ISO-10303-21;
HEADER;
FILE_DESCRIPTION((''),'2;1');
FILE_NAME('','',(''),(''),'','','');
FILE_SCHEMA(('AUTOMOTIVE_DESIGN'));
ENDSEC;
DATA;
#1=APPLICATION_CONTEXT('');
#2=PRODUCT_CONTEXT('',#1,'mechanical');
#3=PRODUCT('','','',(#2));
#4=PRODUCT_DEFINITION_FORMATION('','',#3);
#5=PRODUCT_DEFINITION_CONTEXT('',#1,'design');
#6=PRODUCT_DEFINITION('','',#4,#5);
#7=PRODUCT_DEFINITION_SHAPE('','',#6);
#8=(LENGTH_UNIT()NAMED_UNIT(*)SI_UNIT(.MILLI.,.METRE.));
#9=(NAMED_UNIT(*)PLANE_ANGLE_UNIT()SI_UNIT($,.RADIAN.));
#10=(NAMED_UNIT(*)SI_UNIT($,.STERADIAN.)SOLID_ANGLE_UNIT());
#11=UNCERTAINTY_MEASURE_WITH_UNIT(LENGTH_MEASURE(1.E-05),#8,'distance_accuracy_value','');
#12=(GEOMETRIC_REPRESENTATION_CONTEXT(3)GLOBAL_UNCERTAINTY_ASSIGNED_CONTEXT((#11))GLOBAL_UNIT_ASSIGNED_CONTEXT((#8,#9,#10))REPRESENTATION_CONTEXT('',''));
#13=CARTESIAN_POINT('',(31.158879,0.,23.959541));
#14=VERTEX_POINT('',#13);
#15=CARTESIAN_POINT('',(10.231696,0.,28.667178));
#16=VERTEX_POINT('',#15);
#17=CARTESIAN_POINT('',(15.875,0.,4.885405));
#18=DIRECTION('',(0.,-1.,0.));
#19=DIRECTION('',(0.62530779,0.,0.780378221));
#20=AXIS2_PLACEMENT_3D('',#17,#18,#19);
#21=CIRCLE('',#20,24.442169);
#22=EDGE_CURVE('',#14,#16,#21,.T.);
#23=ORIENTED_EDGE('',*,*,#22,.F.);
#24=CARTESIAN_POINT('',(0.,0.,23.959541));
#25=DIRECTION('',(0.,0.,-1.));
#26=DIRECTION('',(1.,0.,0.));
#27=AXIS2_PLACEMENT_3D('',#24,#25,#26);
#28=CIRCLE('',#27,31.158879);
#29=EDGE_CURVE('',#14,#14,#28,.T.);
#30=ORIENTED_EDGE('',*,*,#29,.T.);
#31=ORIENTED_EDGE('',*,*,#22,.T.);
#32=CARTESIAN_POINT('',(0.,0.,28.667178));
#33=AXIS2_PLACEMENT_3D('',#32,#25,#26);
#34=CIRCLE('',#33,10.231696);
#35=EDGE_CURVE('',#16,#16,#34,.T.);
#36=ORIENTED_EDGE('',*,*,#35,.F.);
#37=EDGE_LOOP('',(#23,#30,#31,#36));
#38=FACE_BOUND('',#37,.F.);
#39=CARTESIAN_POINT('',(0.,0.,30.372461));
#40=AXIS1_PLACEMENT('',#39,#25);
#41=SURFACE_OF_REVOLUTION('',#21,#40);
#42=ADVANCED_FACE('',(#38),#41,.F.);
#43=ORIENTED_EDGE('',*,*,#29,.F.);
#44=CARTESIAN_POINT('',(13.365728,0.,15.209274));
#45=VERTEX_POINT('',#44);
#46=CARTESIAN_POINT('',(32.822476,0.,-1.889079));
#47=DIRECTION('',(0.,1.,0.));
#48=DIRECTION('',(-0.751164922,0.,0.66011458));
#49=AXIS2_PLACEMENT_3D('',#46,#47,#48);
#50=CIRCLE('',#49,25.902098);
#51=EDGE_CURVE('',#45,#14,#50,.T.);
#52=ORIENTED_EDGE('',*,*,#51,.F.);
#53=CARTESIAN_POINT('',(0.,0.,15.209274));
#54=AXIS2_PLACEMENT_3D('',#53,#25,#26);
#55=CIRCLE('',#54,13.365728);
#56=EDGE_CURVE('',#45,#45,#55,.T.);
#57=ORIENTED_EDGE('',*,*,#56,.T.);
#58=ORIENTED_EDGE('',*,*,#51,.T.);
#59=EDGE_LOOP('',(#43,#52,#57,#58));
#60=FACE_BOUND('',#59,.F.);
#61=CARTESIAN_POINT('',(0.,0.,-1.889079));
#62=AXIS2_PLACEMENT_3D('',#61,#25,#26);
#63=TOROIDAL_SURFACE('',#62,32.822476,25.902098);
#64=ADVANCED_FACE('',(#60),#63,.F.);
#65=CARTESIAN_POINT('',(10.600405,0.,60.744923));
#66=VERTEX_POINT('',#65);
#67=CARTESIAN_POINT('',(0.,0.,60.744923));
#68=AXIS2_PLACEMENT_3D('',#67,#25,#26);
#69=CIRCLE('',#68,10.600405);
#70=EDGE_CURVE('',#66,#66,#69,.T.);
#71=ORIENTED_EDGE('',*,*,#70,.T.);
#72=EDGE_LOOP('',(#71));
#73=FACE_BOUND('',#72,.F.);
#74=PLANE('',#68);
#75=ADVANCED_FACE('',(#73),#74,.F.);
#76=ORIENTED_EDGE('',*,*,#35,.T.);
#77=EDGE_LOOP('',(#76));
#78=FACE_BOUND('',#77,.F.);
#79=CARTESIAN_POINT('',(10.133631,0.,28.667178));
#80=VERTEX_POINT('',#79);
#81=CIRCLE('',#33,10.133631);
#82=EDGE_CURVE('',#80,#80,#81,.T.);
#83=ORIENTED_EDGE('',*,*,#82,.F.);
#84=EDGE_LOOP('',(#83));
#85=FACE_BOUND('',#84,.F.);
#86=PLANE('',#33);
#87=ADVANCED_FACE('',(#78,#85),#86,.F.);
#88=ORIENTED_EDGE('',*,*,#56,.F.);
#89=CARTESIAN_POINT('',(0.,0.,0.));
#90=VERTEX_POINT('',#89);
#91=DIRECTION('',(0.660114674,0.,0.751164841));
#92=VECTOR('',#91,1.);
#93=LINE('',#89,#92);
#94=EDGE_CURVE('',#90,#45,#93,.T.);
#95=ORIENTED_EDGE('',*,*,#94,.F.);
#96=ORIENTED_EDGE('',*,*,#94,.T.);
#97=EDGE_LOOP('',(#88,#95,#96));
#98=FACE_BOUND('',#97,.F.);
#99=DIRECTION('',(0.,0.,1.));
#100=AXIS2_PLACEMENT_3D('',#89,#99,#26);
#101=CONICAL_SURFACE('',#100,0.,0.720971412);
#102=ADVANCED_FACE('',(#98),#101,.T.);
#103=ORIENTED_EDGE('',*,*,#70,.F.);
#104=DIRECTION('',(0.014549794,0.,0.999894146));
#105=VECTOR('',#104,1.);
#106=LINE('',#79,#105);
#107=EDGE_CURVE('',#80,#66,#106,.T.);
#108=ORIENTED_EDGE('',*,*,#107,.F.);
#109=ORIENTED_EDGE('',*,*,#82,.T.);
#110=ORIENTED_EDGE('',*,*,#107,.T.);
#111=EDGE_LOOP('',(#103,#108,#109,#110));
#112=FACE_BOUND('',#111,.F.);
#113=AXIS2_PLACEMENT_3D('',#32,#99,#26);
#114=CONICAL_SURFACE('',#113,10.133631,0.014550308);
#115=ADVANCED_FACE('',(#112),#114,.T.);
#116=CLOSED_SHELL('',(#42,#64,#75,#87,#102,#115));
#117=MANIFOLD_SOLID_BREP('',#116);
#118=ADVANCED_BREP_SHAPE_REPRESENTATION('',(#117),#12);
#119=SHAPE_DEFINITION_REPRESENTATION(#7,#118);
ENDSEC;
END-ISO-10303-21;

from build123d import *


with BuildPart() as f1:
    # F0 (on Front) → F1 (revolve)
    with BuildSketch(Plane.XZ):
        with BuildLine():
            Line((0, 60.744923), (0, 0))
            Line((0, 0), (13.365728, 15.209274))
            ThreePointArc((13.365728, 15.209274), (21.391858, 21.354408), (31.158879, 23.959541))
            ThreePointArc((31.158879, 23.959541), (21.239293, 28.731662), (10.231696, 28.667178))
            Line((10.231696, 28.667178), (10.133631, 28.667178))
            Line((10.133631, 28.667178), (10.600405, 60.744923))
            Line((10.600405, 60.744923), (0, 60.744923))
        make_face()
    revolve(axis=Axis((0, 0, 30.372461), (0, 0, -1)))


solid = f1.part
